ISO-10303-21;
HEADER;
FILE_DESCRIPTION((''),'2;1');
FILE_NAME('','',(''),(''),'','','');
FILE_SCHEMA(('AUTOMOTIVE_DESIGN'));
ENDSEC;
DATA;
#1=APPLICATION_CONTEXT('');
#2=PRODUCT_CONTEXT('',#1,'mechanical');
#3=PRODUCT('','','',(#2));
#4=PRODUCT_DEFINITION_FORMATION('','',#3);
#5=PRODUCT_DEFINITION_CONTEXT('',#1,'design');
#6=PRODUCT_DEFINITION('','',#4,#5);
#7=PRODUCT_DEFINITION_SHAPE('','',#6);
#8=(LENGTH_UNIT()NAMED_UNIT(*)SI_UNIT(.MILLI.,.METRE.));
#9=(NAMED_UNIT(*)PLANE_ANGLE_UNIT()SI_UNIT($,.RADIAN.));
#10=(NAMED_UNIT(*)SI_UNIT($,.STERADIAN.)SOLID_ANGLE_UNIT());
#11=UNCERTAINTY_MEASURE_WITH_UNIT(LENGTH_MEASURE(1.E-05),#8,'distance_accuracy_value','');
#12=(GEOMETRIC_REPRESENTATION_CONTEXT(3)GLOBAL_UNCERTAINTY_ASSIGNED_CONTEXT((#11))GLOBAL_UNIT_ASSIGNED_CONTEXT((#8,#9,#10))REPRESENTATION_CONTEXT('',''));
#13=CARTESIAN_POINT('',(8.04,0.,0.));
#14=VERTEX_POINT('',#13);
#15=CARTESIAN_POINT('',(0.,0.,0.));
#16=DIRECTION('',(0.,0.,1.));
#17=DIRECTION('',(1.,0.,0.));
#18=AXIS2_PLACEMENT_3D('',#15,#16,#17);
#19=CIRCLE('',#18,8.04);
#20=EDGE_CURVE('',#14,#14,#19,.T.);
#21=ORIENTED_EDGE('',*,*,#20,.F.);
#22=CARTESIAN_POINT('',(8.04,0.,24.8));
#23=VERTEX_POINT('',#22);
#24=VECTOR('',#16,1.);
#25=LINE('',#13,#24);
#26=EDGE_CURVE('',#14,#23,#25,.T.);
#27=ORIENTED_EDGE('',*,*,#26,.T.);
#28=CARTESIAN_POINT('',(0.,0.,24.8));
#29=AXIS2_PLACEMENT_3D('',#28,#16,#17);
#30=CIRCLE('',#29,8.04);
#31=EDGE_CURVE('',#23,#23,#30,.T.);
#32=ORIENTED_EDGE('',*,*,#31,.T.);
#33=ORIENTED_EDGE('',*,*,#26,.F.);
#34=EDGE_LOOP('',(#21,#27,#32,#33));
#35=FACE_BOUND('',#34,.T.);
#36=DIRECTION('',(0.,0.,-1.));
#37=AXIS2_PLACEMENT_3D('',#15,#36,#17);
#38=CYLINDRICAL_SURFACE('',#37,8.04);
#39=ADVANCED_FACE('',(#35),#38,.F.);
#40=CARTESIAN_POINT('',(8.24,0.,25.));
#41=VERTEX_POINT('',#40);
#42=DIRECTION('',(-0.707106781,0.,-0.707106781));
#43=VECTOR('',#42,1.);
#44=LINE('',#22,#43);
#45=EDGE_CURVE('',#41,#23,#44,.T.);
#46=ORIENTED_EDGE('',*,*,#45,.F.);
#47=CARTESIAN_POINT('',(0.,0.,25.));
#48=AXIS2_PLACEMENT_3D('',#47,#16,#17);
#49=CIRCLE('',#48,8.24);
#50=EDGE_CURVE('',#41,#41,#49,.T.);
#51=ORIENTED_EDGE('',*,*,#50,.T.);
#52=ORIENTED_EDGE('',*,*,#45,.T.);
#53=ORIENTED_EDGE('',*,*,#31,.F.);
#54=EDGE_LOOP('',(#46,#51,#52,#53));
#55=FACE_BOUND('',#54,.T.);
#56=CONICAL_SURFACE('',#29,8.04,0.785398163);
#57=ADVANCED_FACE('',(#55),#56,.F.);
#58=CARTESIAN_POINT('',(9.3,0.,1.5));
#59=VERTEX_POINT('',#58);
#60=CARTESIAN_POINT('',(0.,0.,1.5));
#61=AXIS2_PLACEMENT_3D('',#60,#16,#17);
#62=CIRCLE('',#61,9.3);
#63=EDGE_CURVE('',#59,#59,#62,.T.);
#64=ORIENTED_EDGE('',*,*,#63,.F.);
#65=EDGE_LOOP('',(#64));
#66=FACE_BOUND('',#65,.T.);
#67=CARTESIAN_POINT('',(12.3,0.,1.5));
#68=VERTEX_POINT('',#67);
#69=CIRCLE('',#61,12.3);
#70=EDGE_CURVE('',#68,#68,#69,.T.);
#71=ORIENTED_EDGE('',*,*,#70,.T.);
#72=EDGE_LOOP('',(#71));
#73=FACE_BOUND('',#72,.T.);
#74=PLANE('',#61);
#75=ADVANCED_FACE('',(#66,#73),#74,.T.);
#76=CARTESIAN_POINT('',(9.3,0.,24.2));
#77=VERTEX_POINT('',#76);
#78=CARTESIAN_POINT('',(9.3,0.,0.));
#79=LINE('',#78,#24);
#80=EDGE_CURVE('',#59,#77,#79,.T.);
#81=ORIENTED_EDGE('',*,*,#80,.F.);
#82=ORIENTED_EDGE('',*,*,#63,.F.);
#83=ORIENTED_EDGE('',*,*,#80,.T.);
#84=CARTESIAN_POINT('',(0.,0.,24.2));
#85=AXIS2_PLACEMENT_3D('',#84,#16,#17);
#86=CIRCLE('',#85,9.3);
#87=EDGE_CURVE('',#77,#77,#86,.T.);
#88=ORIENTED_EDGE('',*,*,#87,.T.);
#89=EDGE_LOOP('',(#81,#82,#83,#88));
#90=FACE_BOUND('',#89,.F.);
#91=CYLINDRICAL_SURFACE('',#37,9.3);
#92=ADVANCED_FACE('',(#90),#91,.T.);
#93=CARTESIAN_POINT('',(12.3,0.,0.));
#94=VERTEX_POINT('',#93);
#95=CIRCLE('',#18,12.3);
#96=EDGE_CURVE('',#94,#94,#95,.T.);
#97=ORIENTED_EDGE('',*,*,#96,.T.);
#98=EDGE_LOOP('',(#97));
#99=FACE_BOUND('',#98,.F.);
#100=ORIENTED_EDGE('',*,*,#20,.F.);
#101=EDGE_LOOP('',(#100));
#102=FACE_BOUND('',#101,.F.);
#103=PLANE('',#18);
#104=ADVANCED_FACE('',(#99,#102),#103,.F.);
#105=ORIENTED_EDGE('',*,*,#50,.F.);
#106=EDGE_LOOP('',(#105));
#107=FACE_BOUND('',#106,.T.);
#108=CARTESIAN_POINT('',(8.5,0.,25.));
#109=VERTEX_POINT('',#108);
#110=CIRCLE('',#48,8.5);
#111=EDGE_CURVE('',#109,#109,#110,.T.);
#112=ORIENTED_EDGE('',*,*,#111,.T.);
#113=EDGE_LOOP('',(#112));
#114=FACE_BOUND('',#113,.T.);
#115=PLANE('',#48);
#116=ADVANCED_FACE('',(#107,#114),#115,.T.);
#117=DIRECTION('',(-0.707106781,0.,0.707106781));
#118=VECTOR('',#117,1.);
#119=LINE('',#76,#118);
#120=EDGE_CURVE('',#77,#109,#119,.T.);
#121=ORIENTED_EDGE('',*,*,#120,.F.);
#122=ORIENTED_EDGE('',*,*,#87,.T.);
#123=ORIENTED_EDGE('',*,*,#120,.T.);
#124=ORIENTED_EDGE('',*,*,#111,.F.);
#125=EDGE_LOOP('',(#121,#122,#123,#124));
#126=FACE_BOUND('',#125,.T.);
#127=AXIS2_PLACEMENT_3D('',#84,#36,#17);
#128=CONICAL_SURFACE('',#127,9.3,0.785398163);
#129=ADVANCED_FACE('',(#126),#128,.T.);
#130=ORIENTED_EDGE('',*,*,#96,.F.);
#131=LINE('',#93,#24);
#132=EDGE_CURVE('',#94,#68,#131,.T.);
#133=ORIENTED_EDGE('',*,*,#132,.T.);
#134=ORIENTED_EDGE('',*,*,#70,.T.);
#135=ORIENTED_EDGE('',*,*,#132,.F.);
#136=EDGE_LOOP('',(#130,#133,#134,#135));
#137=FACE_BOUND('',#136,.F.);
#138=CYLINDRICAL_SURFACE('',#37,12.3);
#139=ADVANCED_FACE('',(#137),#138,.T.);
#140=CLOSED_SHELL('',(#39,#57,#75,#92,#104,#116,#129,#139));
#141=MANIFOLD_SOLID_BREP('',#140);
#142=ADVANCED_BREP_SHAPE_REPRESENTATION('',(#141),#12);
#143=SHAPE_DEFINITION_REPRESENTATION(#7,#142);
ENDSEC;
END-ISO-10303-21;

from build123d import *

# Parameters (mm, degrees)
F0_R     = 12.3
F0_R_2   = 9.3
F1_DEPTH = 1.5
F0_R_3   = 8.04
F2_DEPTH = 25
F3_SIZE  = 0.8
F4_SIZE  = 0.2


with BuildPart() as f1:
    # F0 (on Top) → F1 (new body)
    with BuildSketch(Plane.XY):
        Circle(F0_R)
        Circle(F0_R_2, mode=Mode.SUBTRACT)
    extrude(amount=F1_DEPTH)

    # F0 (on Top) → F2 (join)
    with BuildSketch(Plane.XY):
        Circle(F0_R_2)
        Circle(F0_R_3, mode=Mode.SUBTRACT)
    extrude(amount=F2_DEPTH)

    # F3
    f3_edges = [f1.edges().sort_by_distance(p)[0] for p in [
        (-9.3, 0, 25),
    ]]
    chamfer(f3_edges, length=F3_SIZE)

    # F4
    f4_edges = [f1.edges().sort_by_distance(p)[0] for p in [
        (-8.04, 0, 25),
    ]]
    chamfer(f4_edges, length=F4_SIZE)


solid = f1.part
